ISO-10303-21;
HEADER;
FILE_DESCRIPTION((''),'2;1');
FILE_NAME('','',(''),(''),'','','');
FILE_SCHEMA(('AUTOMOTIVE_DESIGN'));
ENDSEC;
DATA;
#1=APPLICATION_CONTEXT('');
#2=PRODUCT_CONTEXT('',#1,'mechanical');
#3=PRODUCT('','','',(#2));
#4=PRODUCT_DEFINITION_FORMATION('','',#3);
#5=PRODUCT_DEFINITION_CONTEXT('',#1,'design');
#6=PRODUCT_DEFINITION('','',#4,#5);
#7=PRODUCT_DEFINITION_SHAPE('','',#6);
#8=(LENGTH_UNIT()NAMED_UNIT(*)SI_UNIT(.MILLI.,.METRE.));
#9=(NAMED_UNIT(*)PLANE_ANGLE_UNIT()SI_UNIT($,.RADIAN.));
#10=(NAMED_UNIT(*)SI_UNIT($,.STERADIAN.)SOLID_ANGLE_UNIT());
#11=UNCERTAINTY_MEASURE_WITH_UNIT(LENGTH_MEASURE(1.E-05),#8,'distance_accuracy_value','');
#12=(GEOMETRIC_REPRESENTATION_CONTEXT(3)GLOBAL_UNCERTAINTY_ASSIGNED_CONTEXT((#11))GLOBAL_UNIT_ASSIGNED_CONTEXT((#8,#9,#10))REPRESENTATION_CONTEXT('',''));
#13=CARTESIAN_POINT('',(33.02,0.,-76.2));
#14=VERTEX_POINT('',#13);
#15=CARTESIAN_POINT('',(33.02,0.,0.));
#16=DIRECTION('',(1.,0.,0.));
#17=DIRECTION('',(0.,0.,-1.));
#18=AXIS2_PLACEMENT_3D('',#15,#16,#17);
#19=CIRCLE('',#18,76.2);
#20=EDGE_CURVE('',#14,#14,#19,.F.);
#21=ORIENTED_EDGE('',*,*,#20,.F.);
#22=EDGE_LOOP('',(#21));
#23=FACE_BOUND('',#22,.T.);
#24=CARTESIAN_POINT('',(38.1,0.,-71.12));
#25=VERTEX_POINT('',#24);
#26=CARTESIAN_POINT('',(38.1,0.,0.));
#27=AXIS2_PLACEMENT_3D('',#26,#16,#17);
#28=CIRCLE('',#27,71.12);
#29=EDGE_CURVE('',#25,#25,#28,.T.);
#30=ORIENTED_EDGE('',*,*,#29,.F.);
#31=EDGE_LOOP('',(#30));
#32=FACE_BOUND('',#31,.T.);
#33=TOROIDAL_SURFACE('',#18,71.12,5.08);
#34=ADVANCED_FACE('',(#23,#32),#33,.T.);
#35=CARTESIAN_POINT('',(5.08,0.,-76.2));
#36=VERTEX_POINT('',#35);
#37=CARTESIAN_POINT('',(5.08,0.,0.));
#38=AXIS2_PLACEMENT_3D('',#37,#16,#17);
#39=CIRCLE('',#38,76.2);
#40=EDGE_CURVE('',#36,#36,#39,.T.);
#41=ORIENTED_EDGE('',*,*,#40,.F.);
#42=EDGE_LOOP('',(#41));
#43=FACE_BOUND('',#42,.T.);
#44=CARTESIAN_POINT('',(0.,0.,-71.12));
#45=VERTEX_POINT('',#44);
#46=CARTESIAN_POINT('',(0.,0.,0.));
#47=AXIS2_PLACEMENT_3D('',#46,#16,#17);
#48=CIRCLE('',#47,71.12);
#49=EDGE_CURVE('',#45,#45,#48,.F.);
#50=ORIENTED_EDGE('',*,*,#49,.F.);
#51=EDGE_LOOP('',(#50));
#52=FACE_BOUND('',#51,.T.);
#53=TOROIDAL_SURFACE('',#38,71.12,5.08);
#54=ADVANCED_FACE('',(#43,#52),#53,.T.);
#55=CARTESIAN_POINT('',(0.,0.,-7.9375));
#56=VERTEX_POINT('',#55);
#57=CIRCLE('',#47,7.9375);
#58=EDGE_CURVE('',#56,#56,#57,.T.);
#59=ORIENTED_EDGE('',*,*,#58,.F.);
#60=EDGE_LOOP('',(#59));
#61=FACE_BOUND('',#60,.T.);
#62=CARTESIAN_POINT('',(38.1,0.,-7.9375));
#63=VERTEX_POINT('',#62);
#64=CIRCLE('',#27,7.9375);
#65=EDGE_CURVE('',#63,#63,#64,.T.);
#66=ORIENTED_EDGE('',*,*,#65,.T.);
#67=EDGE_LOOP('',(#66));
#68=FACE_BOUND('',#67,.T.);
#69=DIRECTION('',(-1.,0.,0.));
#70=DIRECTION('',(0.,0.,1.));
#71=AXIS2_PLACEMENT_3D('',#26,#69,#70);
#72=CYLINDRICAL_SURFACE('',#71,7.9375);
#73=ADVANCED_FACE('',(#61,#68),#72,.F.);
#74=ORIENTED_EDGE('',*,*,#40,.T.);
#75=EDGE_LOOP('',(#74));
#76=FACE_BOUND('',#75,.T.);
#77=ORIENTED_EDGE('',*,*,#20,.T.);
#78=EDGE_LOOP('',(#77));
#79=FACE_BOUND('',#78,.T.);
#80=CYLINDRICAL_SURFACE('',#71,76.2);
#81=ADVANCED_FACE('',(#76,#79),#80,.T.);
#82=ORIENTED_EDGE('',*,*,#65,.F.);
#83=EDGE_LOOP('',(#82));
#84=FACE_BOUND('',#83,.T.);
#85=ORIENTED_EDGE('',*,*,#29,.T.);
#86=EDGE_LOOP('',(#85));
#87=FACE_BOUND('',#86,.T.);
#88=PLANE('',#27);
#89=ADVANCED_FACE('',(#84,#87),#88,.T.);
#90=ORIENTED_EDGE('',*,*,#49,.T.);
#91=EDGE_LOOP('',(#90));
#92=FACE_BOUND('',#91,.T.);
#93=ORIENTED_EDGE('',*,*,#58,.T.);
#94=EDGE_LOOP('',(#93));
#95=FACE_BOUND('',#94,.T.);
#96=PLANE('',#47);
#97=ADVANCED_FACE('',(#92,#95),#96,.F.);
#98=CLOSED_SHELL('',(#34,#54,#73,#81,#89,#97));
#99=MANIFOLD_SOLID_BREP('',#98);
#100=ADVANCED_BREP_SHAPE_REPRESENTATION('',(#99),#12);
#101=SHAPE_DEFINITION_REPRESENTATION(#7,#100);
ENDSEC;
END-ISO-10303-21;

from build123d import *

# Parameters (mm, degrees)
SKETCH1_R           = 76.2
SKETCH1_R_2         = 7.9375
BOSS_EXTRUDE1_DEPTH = 38.1
FILLET1_R           = 5.08


with BuildPart() as part:
    # Sketch1 → Boss-Extrude1 (new body)
    with BuildSketch(Plane(origin=(0, 0, 0), x_dir=(0, 0, -1), z_dir=(1, 0, 0))):
        Circle(SKETCH1_R)
        Circle(SKETCH1_R_2, mode=Mode.SUBTRACT)
    extrude(amount=BOSS_EXTRUDE1_DEPTH)

    # Fillet1
    fillet1_edges = [part.edges().sort_by_distance(p)[0] for p in [
        (0, 0, 76.2),
        (38.1, 0, 76.2),
    ]]
    fillet(fillet1_edges, radius=FILLET1_R)


solid = part.part
